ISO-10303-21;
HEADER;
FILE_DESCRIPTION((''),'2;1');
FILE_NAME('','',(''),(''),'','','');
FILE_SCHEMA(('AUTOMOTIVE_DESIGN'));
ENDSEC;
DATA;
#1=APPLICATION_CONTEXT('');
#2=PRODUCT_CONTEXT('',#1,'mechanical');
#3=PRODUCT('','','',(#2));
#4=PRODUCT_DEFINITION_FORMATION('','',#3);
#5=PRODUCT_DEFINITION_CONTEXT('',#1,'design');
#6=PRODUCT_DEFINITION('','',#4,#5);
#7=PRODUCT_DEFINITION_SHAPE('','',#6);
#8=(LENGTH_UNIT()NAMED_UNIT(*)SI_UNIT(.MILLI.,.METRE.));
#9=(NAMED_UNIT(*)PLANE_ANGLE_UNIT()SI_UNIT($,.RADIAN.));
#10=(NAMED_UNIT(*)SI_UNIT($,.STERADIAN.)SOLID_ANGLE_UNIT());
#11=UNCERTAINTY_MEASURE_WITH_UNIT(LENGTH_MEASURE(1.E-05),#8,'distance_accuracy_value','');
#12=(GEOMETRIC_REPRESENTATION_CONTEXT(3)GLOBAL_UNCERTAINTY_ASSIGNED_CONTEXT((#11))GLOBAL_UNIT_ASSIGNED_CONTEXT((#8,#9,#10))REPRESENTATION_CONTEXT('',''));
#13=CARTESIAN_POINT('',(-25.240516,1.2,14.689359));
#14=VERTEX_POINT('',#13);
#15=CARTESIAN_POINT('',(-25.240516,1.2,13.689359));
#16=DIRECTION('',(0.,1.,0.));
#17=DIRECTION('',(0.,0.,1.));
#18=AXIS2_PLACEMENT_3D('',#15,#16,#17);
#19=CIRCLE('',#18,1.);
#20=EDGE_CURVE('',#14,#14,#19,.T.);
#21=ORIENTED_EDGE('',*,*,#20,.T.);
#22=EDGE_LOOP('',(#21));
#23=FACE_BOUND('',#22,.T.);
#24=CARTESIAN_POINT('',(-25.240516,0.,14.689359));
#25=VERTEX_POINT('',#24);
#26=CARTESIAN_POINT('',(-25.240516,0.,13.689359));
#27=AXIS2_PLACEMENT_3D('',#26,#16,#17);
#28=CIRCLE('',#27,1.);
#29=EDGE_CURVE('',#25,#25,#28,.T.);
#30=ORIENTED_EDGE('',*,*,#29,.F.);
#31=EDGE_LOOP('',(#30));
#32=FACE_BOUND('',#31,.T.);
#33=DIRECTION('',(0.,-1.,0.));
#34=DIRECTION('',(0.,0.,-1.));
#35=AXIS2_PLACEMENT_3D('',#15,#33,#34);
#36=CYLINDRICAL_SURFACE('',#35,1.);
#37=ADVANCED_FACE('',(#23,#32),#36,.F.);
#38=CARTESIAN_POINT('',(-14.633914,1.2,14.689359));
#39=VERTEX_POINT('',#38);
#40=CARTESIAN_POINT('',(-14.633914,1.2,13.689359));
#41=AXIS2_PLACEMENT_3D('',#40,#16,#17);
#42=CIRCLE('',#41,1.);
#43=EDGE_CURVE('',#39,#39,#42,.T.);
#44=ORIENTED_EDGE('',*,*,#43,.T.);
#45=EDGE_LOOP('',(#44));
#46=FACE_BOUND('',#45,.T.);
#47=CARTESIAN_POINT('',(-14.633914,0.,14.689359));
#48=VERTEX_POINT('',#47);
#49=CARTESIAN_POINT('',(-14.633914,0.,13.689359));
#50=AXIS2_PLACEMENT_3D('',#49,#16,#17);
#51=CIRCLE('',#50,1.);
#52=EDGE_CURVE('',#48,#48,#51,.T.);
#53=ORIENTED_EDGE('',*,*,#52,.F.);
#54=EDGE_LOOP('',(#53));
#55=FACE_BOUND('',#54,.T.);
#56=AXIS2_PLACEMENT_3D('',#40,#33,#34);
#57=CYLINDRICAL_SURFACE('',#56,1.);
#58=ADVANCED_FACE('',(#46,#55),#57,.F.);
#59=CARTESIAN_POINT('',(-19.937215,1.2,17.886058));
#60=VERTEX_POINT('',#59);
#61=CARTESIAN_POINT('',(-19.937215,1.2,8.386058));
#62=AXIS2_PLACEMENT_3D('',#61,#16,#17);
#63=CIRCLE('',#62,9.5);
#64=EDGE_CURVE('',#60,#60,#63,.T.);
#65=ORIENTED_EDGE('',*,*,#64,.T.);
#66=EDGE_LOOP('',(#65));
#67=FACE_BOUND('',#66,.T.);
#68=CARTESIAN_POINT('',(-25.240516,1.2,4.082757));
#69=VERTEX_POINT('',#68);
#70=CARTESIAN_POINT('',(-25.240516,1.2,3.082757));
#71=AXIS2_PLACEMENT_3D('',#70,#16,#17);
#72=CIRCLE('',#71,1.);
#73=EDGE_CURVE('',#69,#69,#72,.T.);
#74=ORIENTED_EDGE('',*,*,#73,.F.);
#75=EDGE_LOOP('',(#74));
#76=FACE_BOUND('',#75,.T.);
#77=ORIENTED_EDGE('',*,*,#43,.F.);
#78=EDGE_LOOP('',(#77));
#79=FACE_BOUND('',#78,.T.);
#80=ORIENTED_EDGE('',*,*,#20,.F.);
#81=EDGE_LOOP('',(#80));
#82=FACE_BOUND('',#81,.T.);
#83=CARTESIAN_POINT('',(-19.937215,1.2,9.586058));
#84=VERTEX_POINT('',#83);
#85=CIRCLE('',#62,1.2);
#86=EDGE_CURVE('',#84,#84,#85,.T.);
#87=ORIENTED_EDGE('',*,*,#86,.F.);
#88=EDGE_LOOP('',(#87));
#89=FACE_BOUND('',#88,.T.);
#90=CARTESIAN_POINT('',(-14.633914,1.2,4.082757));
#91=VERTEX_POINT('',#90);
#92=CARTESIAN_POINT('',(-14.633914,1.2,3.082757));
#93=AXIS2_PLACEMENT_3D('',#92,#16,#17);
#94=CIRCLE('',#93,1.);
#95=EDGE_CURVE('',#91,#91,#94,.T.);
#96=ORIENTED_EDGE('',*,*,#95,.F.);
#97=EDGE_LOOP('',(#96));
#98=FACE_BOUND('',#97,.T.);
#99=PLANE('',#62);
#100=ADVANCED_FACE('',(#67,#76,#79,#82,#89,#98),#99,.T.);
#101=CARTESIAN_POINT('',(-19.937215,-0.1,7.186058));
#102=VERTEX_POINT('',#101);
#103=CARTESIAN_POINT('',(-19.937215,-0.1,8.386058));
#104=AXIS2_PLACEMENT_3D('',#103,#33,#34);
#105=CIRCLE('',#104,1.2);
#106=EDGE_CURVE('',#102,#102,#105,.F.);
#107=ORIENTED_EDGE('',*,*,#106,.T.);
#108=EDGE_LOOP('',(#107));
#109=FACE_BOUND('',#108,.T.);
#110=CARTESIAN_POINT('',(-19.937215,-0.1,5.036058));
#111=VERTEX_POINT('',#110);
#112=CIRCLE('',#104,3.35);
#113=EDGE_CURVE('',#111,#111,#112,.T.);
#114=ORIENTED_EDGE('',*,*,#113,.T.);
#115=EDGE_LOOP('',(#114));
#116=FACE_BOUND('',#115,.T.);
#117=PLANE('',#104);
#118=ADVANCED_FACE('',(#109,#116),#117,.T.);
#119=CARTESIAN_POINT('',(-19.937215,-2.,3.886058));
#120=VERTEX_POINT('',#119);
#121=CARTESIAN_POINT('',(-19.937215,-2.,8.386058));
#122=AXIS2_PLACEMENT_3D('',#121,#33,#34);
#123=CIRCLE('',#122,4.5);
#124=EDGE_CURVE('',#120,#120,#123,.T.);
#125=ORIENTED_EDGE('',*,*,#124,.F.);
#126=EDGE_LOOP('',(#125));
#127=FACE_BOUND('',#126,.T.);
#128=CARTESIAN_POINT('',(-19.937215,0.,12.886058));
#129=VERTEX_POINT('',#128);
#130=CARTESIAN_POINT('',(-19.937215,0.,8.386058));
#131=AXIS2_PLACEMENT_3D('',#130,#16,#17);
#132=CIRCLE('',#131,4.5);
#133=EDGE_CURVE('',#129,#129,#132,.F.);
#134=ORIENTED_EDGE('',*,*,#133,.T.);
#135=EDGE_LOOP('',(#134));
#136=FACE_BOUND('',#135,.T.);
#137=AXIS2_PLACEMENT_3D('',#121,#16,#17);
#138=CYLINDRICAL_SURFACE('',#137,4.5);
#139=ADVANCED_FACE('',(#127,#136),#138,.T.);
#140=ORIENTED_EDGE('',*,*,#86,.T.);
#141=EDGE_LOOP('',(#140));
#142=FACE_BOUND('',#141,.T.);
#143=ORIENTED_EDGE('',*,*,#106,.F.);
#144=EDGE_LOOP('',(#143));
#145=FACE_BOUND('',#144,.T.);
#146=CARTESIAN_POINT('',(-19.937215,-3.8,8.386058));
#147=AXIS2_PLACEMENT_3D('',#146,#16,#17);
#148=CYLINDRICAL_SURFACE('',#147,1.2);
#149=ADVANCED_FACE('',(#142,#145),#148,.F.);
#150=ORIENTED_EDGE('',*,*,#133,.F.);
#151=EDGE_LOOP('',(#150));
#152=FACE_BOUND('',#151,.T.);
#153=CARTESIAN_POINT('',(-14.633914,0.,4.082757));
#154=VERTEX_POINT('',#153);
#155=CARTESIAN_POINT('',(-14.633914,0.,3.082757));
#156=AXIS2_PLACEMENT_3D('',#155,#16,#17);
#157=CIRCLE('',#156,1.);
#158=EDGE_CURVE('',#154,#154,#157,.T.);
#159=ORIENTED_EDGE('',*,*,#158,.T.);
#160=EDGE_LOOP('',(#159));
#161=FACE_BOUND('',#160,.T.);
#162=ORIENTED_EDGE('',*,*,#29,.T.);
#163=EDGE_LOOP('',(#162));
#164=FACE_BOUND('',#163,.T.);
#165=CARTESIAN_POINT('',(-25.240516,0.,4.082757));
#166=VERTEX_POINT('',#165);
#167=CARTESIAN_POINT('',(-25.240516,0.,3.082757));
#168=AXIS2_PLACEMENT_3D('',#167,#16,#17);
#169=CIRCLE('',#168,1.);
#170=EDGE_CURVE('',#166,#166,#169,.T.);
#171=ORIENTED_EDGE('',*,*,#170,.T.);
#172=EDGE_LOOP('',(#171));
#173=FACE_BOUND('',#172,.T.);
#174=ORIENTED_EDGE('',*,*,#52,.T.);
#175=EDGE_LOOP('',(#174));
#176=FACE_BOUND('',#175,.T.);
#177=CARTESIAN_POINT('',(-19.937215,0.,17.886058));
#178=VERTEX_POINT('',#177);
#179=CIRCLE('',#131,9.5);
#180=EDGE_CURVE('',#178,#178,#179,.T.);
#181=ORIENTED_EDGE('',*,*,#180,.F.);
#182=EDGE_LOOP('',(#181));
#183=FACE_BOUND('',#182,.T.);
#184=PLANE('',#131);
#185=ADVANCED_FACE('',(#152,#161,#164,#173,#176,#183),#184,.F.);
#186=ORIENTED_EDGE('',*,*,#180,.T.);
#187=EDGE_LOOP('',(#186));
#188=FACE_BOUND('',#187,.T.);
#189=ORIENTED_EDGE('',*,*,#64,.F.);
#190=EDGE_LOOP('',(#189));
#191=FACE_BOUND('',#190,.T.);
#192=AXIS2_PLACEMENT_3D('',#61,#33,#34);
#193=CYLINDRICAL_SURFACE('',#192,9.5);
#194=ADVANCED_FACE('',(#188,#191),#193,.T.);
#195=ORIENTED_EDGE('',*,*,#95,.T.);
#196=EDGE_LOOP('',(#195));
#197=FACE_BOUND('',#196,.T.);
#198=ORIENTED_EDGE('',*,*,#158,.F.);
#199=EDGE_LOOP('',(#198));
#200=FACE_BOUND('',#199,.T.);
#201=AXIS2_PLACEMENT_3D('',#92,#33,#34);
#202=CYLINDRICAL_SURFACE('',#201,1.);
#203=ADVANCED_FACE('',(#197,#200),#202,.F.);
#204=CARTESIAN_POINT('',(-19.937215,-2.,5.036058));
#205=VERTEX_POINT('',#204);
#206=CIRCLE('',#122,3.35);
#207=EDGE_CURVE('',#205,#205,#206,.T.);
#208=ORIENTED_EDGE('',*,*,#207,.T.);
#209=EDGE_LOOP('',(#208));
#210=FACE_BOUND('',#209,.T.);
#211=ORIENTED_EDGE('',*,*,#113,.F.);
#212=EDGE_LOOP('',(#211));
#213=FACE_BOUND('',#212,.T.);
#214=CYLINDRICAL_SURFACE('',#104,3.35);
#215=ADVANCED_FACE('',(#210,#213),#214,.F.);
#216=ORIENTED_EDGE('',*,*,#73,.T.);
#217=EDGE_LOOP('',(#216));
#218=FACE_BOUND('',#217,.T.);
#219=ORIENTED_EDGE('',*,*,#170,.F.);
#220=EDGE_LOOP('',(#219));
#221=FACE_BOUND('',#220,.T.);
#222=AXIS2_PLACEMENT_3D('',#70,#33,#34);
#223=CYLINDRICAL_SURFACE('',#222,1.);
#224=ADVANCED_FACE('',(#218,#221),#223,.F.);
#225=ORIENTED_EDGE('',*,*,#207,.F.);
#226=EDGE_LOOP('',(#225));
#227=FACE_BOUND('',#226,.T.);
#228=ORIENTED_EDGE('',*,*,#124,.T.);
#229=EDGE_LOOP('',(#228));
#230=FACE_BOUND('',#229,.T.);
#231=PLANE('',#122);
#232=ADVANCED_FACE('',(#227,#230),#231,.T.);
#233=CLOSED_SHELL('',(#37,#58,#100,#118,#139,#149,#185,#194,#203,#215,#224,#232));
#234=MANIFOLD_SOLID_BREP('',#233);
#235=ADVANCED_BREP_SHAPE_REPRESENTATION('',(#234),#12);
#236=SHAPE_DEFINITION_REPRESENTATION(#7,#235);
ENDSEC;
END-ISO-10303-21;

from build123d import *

# Parameters (mm, degrees)
CROQUIS1_R              = 9.5
CROQUIS1_R_2            = 1
SALIENTE_EXTRUIR1_DEPTH = 1.2
CROQUIS2_R              = 4.5
SALIENTE_EXTRUIR2_DEPTH = 2
SKETCH1_R               = 1.2
CUT_EXTRUDE2_DEPTH      = 5
CROQUIS3_R              = 3.35
CUT_EXTRUDE3_DEPTH      = 1.9


with BuildPart() as part:
    # Croquis1 → Saliente-Extruir1 (new body)
    with BuildSketch(Plane(origin=(0, 0, 0), x_dir=(1, 0, 0), z_dir=(0, 1, 0))):
        with Locations((-19.93721465, -8.386058239)):
            Circle(CROQUIS1_R)
        with Locations((-14.633913791, -3.08275738)):
            Circle(CROQUIS1_R_2, mode=Mode.SUBTRACT)
        with Locations((-14.633913791, -13.689359098)):
            Circle(CROQUIS1_R_2, mode=Mode.SUBTRACT)
        with Locations((-25.240515509, -13.689359098)):
            Circle(CROQUIS1_R_2, mode=Mode.SUBTRACT)
        with Locations((-25.240515509, -3.08275738)):
            Circle(CROQUIS1_R_2, mode=Mode.SUBTRACT)
    extrude(amount=SALIENTE_EXTRUIR1_DEPTH)

    # Croquis2 → Saliente-Extruir2 (add)
    with BuildSketch(Plane(origin=(0, 0, 0), x_dir=(-1, 0, 0), z_dir=(0, -1, 0))):
        with Locations((19.93721465, -8.386058239)):
            Circle(CROQUIS2_R)
    extrude(amount=SALIENTE_EXTRUIR2_DEPTH)

    # Sketch1 → Cut-Extrude2 (cut)
    with BuildSketch(Plane(origin=(0, 1.2, 0), x_dir=(1, 0, 0), z_dir=(0, 1, 0))):
        with Locations((-19.93721465, -8.386058239)):
            Circle(SKETCH1_R)
    extrude(amount=-CUT_EXTRUDE2_DEPTH, mode=Mode.SUBTRACT)

    # Croquis3 → Cut-Extrude3 (cut)
    with BuildSketch(Plane(origin=(0, -2, 0), x_dir=(-1, 0, 0), z_dir=(0, -1, 0))):
        with Locations((19.93721465, -8.386058239)):
            Circle(CROQUIS3_R)
    extrude(amount=-CUT_EXTRUDE3_DEPTH, mode=Mode.SUBTRACT)


solid = part.part
